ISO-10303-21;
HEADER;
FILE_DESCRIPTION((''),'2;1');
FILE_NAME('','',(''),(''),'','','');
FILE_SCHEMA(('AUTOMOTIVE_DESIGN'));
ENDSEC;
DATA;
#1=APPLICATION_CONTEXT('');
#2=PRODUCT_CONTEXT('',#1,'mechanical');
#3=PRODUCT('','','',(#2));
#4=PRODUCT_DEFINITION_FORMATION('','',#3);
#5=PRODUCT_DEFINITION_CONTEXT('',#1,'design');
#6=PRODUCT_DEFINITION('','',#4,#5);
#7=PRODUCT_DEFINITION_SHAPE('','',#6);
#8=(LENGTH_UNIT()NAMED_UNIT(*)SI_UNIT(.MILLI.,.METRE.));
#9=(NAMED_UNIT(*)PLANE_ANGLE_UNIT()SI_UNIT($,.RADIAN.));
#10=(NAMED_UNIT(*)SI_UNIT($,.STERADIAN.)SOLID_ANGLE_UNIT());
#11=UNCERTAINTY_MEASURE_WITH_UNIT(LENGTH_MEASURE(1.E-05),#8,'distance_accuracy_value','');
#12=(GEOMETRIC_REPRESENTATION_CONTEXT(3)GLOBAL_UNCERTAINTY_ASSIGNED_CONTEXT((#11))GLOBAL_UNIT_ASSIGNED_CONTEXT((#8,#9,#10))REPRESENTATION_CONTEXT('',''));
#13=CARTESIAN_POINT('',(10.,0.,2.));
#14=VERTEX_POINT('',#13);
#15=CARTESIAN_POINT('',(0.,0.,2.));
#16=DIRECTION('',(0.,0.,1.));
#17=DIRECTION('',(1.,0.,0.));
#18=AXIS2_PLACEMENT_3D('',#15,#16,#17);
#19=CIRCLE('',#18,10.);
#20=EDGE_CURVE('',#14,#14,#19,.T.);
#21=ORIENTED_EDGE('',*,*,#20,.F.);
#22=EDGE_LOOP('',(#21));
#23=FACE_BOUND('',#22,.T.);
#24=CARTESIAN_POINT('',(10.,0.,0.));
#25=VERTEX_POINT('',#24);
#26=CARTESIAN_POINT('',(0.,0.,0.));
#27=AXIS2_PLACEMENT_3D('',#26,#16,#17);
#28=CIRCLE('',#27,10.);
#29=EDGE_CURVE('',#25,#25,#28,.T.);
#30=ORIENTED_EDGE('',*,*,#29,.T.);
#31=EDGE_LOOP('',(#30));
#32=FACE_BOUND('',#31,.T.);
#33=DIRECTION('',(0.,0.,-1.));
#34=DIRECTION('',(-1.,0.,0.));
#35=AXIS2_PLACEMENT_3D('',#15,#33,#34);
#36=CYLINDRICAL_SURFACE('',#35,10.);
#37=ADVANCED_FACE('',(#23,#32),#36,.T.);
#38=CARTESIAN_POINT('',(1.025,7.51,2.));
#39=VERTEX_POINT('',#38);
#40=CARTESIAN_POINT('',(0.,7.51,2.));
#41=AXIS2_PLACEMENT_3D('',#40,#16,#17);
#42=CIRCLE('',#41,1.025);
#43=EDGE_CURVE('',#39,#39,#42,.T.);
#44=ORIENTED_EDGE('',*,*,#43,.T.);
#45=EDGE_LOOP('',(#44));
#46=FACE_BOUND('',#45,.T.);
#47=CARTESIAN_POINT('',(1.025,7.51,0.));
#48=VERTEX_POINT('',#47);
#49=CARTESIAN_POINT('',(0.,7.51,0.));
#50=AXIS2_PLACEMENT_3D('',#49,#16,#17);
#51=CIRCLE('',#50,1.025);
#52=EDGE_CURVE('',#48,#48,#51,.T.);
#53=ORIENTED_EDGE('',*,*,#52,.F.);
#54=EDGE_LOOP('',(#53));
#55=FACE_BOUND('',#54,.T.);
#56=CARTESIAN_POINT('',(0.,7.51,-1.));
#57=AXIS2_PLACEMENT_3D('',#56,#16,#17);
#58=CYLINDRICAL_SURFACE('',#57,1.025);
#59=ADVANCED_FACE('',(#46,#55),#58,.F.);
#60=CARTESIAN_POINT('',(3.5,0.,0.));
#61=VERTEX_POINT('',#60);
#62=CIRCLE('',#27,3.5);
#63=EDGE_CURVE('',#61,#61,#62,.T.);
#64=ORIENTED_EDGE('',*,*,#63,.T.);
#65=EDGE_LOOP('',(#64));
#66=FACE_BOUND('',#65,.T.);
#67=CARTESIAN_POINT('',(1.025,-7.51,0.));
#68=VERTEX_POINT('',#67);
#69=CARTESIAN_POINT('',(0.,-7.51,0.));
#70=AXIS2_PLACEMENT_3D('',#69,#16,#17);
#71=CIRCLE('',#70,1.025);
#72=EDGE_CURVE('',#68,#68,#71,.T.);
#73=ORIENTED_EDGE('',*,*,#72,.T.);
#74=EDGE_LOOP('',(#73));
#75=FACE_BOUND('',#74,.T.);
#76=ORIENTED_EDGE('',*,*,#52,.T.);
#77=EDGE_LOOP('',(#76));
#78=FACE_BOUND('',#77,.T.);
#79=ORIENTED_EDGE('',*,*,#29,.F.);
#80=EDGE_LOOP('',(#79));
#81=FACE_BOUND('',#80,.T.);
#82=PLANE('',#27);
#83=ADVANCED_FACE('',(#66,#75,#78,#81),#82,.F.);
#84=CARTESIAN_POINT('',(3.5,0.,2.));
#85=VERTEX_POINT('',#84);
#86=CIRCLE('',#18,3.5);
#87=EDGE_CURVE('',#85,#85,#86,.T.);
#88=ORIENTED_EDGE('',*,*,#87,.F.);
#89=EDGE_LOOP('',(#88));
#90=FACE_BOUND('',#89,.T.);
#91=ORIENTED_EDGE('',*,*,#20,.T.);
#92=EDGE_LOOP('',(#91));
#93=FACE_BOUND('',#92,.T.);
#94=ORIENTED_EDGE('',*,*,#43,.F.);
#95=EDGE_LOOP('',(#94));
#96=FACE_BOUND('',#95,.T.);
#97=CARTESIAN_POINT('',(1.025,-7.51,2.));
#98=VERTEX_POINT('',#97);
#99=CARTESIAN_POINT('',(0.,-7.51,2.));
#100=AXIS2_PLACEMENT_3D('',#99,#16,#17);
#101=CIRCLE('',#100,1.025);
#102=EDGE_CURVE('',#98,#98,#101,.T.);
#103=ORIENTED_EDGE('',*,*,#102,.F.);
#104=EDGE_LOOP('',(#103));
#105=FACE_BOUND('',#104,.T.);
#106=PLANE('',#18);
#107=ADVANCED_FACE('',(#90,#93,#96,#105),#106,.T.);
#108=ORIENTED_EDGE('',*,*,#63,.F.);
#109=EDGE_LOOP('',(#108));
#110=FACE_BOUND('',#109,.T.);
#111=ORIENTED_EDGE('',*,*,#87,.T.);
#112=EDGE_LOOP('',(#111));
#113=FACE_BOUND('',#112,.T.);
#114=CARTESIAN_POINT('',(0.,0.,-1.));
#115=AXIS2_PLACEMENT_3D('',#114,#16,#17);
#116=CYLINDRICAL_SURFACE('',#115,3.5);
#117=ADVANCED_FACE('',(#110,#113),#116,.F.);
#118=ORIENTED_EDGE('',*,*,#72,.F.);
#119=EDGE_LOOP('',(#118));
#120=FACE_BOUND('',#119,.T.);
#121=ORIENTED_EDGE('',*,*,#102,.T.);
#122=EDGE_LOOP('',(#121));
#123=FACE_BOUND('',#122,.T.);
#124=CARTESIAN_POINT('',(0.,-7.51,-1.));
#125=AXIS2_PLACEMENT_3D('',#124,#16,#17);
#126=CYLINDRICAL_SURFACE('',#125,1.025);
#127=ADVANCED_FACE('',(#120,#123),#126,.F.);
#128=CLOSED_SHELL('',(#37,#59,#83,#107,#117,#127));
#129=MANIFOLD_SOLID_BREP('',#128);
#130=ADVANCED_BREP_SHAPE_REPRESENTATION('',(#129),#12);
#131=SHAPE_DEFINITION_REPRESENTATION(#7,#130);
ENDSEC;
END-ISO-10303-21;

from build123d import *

# Parameters (mm, degrees)
CROQUIS1_R              = 10
SALIENTE_EXTRUIR1_DEPTH = 2
CROQUIS2_R              = 1.025
CROQUIS2_R_2            = 3.5
CORTAR_EXTRUIR1_DEPTH   = 3


with BuildPart() as part:
    # Croquis1 → Saliente-Extruir1 (new body)
    with BuildSketch(Plane.XY):
        Circle(CROQUIS1_R)
    extrude(amount=SALIENTE_EXTRUIR1_DEPTH)

    # Croquis2 → Cortar-Extruir1 (cut)
    with BuildSketch(Plane.XY.offset(2)):
        with Locations((0, 7.51)):
            Circle(CROQUIS2_R)
        with Locations((0, -7.51)):
            Circle(CROQUIS2_R)
        Circle(CROQUIS2_R_2)
    extrude(amount=-CORTAR_EXTRUIR1_DEPTH, mode=Mode.SUBTRACT)


solid = part.part
